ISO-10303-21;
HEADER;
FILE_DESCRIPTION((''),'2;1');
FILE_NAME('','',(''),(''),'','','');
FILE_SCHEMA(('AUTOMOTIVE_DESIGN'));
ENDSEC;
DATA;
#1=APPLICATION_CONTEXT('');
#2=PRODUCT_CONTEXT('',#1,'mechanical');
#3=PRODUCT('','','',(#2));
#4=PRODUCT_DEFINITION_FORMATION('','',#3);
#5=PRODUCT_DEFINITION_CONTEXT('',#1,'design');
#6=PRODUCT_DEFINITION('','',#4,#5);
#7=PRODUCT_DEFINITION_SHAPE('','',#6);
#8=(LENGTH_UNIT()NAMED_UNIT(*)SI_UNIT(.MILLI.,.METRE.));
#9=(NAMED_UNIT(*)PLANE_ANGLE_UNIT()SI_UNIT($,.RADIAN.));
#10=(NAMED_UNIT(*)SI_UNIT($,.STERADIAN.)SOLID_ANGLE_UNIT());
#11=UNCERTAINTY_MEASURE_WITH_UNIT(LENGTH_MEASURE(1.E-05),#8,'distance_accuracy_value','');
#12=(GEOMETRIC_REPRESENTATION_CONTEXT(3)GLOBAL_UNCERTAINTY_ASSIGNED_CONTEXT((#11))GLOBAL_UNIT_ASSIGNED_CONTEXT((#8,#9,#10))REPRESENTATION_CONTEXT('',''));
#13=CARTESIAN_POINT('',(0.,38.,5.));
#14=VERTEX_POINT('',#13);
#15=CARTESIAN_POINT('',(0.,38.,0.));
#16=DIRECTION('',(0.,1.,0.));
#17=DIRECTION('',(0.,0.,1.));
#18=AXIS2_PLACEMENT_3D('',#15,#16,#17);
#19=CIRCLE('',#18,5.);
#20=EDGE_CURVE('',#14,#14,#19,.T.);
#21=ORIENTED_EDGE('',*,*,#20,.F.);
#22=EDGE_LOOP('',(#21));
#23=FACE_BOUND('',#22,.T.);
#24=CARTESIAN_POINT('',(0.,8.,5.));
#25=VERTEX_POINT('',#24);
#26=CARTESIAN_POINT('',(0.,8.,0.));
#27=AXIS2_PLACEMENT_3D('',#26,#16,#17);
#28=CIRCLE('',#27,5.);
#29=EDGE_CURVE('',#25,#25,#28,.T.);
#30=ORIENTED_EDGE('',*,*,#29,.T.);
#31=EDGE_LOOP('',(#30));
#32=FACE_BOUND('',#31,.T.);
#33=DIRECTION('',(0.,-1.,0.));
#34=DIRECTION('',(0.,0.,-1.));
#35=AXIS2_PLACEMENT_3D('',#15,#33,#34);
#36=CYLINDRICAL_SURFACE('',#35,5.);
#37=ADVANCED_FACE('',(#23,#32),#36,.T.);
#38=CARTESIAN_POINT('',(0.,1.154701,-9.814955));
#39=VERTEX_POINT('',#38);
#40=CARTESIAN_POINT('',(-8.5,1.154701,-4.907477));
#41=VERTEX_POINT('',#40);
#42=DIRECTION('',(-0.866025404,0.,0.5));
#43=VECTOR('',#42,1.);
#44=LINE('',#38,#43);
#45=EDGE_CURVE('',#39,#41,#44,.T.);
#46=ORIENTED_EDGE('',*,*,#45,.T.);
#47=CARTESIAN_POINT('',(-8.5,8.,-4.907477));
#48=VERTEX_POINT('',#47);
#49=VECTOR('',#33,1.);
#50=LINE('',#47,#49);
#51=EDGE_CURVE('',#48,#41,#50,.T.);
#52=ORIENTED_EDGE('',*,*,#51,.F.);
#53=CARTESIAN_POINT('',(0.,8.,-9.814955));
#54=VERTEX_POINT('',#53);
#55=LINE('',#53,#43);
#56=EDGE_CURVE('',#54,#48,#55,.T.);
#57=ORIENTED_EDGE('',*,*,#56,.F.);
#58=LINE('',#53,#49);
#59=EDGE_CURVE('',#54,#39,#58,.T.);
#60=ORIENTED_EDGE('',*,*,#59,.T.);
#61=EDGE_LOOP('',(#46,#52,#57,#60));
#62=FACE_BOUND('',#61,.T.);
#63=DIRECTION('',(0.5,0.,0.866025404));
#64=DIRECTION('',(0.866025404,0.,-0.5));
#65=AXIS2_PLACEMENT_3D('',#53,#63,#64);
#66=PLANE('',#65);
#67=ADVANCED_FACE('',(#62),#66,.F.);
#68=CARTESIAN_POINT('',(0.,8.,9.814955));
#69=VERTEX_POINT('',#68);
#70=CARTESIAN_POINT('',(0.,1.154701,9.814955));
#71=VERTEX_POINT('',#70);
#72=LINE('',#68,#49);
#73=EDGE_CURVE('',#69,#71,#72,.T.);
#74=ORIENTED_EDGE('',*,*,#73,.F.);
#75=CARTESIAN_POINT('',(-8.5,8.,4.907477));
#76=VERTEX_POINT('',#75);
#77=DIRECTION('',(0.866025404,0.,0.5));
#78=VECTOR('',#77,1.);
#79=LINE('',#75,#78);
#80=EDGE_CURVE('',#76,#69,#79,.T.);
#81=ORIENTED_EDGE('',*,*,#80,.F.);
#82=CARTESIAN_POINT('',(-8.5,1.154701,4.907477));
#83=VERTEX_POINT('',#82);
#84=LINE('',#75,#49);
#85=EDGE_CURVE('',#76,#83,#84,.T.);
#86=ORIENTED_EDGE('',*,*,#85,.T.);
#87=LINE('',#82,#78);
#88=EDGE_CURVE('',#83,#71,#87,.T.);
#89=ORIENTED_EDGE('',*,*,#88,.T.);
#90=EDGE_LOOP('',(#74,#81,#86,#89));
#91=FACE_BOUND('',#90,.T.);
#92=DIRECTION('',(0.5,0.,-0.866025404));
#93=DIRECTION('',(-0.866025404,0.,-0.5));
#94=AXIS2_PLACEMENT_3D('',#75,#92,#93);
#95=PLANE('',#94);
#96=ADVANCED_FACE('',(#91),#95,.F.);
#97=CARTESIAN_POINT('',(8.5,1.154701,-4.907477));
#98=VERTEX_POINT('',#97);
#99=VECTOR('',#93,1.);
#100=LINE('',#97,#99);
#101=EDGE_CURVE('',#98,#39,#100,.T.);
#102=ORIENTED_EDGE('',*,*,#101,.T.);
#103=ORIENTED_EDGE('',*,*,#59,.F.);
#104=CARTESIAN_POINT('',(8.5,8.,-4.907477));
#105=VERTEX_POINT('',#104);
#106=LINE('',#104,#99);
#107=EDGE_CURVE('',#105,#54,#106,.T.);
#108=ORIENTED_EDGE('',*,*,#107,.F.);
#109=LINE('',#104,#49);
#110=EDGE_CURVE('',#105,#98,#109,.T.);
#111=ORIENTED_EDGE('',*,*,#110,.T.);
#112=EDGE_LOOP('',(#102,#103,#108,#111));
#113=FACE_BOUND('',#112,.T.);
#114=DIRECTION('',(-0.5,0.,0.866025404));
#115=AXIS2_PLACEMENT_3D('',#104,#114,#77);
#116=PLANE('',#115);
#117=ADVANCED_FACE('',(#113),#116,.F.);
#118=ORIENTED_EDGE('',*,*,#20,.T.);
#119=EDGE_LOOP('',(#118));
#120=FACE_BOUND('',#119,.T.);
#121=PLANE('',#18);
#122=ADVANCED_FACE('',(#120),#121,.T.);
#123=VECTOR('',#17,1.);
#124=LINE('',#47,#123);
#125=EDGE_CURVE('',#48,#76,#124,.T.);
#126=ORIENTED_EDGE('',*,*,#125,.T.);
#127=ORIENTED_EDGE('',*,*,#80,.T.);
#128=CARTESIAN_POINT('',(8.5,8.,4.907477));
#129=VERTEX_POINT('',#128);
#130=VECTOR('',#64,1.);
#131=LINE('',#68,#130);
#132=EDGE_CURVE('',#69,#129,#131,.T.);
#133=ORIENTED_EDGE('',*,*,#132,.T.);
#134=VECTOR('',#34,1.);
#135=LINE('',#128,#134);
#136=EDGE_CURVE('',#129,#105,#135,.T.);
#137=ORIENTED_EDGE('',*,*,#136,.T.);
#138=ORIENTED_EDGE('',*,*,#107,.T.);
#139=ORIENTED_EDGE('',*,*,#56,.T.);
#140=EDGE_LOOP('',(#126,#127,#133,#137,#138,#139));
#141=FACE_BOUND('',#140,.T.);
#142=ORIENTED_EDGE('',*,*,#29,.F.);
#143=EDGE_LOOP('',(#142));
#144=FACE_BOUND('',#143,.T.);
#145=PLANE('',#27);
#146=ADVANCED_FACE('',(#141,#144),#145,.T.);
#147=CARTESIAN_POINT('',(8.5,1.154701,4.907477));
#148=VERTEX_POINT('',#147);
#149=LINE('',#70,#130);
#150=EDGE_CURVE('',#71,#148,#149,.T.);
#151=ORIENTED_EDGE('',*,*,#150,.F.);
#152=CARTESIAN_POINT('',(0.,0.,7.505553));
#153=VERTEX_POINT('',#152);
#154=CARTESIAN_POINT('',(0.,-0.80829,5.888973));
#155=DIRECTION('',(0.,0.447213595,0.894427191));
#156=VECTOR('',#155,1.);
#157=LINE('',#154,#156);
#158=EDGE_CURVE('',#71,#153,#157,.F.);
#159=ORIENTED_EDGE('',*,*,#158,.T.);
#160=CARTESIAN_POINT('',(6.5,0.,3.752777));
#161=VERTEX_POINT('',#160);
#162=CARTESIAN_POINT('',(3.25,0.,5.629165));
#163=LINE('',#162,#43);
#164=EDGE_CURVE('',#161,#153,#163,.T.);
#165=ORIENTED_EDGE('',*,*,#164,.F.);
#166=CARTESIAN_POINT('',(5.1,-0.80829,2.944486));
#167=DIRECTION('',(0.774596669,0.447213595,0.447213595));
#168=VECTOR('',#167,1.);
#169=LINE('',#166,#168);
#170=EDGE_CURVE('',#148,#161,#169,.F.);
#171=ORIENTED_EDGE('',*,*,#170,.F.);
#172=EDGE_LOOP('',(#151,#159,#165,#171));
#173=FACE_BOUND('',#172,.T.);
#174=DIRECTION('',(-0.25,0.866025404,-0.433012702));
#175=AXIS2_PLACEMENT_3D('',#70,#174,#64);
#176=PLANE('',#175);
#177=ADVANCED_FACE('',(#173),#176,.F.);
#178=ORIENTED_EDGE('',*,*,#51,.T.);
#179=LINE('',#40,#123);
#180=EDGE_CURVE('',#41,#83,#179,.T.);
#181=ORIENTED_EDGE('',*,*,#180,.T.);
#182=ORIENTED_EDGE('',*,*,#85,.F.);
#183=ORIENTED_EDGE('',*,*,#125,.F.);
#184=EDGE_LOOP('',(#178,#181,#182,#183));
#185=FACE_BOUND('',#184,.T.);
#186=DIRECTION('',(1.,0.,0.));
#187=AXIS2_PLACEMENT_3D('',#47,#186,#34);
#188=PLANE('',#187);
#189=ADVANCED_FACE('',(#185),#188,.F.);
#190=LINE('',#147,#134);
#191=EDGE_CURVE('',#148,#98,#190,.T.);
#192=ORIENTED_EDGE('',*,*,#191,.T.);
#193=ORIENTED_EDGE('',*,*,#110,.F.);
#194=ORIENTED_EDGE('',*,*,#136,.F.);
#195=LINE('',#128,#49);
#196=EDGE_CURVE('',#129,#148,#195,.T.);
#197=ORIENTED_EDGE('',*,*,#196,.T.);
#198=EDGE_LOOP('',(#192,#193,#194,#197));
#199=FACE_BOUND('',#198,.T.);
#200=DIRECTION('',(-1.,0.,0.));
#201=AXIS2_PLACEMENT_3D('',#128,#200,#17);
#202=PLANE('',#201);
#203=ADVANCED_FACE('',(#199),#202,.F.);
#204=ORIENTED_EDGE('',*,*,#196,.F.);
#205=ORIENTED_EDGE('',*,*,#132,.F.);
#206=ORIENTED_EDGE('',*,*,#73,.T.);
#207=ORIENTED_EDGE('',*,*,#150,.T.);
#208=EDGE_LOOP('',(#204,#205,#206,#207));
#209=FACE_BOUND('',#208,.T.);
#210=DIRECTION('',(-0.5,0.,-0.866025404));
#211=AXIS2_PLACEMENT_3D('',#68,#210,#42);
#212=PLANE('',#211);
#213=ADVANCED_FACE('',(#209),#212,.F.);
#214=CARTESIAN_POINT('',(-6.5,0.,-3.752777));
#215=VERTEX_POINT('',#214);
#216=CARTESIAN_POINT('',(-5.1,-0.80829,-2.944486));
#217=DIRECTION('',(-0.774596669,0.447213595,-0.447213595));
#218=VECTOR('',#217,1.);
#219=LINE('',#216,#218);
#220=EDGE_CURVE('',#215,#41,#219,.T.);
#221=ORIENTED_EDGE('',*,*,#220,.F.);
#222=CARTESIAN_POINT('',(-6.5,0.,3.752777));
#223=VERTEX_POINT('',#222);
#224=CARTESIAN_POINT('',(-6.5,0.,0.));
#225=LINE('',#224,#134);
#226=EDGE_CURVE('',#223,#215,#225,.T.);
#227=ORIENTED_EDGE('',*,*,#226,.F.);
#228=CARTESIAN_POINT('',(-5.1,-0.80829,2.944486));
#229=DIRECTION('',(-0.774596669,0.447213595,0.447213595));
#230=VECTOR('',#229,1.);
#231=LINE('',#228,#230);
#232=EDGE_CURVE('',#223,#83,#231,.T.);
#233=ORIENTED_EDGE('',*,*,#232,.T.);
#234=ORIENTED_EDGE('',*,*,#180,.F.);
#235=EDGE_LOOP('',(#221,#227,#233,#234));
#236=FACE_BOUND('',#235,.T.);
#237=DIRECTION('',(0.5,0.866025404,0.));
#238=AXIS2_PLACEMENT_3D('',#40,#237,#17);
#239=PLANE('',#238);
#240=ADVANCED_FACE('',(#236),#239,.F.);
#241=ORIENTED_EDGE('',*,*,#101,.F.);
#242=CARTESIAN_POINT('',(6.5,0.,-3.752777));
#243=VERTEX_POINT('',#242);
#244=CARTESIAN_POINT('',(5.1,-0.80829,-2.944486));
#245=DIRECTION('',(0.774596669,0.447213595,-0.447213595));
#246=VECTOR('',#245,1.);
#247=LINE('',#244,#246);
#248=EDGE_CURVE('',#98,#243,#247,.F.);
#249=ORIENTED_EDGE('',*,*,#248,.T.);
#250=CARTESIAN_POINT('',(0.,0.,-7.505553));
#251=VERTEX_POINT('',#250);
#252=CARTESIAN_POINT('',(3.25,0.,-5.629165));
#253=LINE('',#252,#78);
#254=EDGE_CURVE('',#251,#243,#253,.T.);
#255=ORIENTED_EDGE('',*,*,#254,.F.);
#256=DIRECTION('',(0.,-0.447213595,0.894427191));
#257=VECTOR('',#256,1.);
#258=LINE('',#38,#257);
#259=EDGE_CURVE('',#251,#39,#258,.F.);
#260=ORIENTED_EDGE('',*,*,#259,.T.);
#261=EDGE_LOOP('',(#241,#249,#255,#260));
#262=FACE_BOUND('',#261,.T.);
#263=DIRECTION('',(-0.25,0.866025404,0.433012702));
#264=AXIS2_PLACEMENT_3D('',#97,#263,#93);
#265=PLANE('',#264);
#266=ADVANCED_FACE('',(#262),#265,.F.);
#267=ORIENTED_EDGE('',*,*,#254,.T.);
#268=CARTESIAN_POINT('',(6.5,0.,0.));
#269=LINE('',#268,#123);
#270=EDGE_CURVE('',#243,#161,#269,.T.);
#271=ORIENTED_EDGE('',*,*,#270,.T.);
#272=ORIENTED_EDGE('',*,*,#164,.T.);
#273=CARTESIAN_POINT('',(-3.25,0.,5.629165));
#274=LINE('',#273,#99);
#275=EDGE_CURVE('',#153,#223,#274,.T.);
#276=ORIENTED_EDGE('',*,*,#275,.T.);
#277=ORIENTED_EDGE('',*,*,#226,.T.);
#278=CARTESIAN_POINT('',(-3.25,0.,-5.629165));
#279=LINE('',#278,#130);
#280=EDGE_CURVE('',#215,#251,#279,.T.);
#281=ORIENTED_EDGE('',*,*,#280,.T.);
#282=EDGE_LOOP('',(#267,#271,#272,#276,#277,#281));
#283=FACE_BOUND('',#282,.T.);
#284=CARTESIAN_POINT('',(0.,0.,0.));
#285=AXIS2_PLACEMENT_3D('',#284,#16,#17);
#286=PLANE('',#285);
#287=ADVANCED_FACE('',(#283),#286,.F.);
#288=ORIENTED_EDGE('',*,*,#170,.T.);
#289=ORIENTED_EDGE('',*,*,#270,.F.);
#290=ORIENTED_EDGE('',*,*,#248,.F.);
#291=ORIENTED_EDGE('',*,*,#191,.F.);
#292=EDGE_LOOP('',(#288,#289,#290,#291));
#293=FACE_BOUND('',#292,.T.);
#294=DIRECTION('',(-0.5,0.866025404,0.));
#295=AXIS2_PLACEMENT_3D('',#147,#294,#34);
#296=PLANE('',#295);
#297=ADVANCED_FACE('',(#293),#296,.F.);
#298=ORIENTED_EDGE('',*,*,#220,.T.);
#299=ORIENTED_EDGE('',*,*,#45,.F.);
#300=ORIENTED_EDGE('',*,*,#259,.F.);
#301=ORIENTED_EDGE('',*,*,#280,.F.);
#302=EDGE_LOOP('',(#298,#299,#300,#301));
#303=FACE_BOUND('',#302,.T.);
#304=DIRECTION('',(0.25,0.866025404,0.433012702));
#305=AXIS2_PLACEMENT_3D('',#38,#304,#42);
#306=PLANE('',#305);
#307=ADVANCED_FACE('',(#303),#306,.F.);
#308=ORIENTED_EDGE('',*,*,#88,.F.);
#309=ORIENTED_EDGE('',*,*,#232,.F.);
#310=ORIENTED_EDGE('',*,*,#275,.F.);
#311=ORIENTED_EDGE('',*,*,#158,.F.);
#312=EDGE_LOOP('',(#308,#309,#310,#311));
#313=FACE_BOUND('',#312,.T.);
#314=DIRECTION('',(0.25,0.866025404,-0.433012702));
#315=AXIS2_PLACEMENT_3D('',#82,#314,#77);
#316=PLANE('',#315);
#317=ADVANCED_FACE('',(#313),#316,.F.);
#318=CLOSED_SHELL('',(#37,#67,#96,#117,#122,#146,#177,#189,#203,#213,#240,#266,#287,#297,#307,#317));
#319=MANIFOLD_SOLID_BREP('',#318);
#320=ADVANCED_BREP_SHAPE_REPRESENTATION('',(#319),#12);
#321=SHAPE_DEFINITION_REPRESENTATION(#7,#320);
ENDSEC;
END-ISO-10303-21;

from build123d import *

# Parameters (mm, degrees)
EXTRUDE_1_DEPTH = 8
SKETCH_2_R      = 5
EXTRUDE_2_DEPTH = 30
CHAMFER_1_SIZE  = 2
CHAMFER_1_SIZE2 = 1.154700538


with BuildPart() as part:
    # Эскиз1 → Бобышка-Вытянуть1 (new body)
    with BuildSketch(Plane(origin=(0, 0, 0), x_dir=(1, 0, 0), z_dir=(0, 1, 0))):
        Polygon((8.5, -4.907477288), (8.5, 4.907477288), (0, 9.814954576), (-8.5, 4.907477288), (-8.5, -4.907477288), (0, -9.814954576), align=None)
    extrude(amount=EXTRUDE_1_DEPTH)

    # Эскиз2 → Бобышка-Вытянуть2 (add)
    with BuildSketch(Plane(origin=(0, 8, 0), x_dir=(1, 0, 0), z_dir=(0, 1, 0))):
        Circle(SKETCH_2_R)
    extrude(amount=EXTRUDE_2_DEPTH)

    # Фаска1
    chamfer_1_edges = [part.edges().sort_by_distance(p)[0] for p in [
        (-4.25, 0, 7.361215932),
        (-8.5, 0, 0),
        (-4.25, 0, -7.361215932),
        (4.25, 0, -7.361215932),
        (8.5, 0, 0),
        (4.25, 0, 7.361215932),
    ]]
    chamfer_1_side = [part.faces().sort_by_distance(p)[0] for p in [
        (0, 0, 0),
    ]]
    chamfer(chamfer_1_edges, length=CHAMFER_1_SIZE, length2=CHAMFER_1_SIZE2, reference=chamfer_1_side[0])


solid = part.part
